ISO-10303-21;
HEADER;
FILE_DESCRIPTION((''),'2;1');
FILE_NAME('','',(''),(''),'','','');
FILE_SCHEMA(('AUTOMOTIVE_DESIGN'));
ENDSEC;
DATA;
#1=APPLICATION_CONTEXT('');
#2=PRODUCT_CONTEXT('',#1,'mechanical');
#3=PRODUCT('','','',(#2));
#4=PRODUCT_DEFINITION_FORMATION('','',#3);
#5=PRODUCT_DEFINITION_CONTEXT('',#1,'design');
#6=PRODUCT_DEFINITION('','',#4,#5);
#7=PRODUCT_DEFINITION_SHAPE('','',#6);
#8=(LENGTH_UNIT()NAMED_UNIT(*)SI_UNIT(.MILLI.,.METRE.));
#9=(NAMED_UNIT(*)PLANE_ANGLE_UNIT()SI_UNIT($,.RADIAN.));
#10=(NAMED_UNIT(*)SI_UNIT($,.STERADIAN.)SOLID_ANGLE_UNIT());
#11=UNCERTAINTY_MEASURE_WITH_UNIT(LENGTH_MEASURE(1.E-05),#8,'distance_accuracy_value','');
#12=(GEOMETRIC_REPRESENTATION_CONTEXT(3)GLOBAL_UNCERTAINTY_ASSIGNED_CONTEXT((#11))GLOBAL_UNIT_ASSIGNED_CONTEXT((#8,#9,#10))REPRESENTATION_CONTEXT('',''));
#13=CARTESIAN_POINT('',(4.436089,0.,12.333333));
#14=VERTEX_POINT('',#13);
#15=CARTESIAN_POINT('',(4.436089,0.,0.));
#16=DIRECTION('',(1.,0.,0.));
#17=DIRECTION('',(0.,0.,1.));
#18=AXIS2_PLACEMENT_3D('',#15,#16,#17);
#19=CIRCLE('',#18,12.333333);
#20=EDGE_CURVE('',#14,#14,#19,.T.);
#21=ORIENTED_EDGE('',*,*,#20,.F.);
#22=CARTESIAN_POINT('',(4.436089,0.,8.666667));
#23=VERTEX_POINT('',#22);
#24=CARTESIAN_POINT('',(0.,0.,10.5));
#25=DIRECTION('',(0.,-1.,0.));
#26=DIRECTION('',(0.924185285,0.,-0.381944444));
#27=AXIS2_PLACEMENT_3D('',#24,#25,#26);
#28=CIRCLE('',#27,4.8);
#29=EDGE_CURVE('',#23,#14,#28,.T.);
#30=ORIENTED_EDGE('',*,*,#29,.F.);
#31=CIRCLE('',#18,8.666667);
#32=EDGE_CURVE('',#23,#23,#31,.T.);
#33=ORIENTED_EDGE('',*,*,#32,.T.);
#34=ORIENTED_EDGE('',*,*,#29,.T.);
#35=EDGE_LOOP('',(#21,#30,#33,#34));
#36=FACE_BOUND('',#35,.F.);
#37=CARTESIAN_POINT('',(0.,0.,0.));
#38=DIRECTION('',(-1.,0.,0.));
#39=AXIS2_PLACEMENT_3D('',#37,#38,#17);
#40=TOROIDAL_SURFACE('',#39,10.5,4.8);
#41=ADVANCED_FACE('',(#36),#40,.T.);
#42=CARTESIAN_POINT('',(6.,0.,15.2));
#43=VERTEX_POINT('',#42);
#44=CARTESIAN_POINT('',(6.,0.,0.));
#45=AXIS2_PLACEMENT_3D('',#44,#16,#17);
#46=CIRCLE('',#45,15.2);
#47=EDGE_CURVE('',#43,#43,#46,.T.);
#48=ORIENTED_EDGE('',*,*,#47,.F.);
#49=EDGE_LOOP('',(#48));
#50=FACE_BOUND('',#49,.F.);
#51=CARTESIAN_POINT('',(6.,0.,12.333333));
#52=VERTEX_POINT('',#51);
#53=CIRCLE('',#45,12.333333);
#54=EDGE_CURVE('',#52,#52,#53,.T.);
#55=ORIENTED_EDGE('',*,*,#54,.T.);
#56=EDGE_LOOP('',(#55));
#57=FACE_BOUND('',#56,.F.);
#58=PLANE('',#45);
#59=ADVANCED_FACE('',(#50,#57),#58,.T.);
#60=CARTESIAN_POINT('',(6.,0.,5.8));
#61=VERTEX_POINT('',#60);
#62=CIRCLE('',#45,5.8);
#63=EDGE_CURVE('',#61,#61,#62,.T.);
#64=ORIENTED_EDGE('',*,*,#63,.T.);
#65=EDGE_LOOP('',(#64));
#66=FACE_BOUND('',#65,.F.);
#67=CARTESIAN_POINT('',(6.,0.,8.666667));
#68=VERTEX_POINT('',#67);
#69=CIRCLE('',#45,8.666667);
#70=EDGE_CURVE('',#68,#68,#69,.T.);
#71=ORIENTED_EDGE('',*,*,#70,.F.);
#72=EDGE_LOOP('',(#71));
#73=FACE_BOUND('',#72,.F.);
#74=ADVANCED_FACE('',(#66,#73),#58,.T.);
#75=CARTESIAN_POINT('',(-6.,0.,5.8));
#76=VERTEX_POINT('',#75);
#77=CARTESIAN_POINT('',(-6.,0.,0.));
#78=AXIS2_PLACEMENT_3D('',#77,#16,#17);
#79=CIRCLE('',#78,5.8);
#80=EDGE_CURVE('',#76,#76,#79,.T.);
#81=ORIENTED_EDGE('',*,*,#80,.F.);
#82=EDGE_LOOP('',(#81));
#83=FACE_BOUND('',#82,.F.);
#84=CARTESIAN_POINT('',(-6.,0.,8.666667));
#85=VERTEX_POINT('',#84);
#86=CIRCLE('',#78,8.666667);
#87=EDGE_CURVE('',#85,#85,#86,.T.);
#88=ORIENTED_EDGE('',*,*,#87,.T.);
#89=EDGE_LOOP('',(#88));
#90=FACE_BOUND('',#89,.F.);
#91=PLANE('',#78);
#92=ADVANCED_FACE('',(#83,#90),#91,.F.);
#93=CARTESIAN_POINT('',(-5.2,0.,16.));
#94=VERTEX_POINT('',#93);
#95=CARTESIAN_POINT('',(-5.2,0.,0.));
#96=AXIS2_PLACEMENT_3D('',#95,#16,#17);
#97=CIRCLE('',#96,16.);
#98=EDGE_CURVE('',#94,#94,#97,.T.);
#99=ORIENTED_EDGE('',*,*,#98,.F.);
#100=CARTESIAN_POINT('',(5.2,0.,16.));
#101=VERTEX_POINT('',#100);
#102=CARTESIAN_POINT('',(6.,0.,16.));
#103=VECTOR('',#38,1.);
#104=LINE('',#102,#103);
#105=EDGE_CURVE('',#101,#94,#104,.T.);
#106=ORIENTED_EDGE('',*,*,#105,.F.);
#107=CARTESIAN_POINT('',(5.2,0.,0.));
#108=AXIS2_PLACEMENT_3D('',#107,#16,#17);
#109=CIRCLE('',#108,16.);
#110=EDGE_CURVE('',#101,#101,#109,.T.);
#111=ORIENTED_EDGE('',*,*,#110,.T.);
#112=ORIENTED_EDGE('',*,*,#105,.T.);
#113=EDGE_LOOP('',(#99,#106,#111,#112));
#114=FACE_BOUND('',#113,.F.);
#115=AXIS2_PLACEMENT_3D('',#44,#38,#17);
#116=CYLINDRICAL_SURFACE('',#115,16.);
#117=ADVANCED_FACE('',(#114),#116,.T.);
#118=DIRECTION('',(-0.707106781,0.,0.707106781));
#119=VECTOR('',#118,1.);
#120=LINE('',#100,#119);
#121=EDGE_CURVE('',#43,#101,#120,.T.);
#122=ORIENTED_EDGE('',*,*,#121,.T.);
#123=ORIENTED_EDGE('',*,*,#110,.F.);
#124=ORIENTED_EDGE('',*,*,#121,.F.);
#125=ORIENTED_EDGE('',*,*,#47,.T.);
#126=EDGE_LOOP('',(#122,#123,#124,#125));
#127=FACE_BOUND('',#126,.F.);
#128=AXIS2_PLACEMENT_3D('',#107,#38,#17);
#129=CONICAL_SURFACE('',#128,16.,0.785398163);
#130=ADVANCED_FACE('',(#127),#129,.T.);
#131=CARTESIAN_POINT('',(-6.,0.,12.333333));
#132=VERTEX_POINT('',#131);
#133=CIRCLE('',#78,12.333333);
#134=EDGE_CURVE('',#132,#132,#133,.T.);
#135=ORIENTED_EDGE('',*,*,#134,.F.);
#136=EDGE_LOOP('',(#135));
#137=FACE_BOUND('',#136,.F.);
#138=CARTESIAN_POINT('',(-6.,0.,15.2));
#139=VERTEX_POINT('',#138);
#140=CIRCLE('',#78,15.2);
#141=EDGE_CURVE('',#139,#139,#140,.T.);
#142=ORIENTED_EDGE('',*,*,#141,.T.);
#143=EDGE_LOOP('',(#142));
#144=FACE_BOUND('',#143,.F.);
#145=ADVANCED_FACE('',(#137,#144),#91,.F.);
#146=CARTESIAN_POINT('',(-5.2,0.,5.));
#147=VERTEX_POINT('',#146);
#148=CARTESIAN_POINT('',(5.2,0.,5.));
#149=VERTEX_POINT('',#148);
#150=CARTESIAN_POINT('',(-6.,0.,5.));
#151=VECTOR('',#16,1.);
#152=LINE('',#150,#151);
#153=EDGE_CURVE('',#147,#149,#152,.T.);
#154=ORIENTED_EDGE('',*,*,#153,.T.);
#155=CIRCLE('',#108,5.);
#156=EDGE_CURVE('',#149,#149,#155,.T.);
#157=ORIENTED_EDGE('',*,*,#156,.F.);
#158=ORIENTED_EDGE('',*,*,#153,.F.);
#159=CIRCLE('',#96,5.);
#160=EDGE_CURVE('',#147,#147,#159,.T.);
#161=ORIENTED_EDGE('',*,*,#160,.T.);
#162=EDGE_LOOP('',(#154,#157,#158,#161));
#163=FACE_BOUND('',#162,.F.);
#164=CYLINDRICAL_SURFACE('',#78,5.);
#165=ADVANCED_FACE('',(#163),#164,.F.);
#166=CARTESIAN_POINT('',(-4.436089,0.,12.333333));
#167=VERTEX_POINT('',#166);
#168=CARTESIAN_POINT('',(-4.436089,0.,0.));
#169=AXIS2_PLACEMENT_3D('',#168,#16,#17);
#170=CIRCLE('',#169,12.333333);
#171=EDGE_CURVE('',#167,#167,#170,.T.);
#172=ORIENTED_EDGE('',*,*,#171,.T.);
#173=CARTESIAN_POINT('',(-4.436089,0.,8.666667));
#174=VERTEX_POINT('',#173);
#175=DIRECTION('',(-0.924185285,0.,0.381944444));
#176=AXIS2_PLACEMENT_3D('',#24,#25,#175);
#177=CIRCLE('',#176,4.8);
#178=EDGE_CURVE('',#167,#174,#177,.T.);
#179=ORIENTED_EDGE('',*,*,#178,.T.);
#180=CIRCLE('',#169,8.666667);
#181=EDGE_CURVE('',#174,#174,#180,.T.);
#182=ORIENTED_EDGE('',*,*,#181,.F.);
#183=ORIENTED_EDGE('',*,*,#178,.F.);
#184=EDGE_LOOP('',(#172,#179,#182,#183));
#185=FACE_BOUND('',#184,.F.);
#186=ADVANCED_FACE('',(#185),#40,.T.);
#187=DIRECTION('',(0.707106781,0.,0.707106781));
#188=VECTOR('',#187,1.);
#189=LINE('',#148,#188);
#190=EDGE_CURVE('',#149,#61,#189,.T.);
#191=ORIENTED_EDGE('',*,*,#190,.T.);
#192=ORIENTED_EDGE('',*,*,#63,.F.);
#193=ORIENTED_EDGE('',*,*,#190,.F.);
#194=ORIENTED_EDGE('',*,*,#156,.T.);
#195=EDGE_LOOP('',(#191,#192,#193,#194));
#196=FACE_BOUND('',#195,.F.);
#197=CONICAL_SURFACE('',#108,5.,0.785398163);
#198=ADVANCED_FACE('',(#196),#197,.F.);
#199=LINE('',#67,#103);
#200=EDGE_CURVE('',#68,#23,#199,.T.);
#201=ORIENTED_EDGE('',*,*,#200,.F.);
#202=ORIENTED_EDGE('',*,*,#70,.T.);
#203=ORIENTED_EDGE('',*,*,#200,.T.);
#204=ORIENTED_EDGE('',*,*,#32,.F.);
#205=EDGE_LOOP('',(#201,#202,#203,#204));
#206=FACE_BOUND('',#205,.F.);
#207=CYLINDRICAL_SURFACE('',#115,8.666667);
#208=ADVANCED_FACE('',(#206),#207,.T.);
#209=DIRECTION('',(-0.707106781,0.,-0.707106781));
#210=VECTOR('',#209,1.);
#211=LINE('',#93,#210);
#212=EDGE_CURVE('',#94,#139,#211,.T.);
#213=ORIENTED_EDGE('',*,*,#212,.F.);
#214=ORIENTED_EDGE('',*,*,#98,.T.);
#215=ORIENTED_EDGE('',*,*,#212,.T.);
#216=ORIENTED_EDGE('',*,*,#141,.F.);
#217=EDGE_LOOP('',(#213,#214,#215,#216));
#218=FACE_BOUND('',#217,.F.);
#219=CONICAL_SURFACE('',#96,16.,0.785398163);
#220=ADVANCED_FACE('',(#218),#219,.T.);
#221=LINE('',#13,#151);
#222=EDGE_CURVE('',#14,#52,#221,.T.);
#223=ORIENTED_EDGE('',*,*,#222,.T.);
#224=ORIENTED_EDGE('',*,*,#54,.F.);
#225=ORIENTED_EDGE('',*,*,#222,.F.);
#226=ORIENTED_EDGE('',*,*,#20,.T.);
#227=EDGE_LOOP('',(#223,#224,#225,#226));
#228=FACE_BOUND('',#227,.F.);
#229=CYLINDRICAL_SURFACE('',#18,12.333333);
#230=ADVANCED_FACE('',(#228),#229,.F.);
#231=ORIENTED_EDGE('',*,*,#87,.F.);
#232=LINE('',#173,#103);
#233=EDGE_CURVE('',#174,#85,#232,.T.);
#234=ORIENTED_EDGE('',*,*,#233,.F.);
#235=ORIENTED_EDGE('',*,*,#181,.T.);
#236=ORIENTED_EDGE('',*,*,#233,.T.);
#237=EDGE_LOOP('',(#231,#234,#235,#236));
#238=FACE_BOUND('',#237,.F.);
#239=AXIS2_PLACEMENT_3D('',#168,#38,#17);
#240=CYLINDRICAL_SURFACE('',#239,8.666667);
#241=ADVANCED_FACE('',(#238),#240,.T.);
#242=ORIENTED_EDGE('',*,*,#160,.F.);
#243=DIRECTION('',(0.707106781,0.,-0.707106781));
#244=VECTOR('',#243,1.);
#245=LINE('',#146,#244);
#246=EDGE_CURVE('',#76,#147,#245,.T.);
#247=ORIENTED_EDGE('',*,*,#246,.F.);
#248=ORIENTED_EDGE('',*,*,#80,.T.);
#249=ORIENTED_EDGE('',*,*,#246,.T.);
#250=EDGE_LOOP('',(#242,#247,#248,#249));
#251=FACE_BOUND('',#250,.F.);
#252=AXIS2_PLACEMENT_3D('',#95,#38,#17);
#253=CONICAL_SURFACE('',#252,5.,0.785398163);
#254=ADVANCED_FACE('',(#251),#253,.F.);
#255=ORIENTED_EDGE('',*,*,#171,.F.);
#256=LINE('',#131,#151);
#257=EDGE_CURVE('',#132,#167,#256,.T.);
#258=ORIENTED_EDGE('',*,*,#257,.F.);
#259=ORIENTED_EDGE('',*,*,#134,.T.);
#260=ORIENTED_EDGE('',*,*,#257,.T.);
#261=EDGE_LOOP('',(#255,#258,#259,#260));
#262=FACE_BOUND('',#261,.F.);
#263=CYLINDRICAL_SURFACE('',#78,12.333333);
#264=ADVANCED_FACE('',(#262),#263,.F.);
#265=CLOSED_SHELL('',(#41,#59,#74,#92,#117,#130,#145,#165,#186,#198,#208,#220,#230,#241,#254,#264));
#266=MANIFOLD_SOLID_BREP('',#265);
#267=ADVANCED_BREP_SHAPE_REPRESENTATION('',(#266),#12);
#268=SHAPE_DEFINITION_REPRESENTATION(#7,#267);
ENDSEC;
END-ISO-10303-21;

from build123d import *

# Parameters (mm, degrees)
F3_SIZE = 0.8


with BuildPart() as f2:
    # F1 (on Front) → F2 (revolve)
    with BuildSketch(Plane.XZ):
        with BuildLine():
            Line((4.4360893689, 12.3333333333), (6, 12.3333333333))
            Line((6, 12.3333333333), (6, 16))
            Line((6, 16), (-6, 16))
            Line((-6, 16), (-6, 12.3333333333))
            Line((-6, 12.3333333333), (-4.4360893689, 12.3333333333))
            ThreePointArc((-4.4360893689, 12.3333333333), (-4.8, 10.5), (-4.4360893689, 8.6666666667))
            Line((-4.4360893689, 8.6666666667), (-6, 8.6666666667))
            Line((-6, 8.6666666667), (-6, 5))
            Line((-6, 5), (6, 5))
            Line((6, 5), (6, 8.6666666667))
            Line((6, 8.6666666667), (4.4360893689, 8.6666666667))
            ThreePointArc((4.4360893689, 8.6666666667), (4.8, 10.5), (4.4360893689, 12.3333333333))
        make_face()
    revolve(axis=Axis((18.8289619982, 0, 0), (1, 0, 0)))

    # F3
    f3_edges = [f2.edges().sort_by_distance(p)[0] for p in [
        (-6, 0, -16),
        (6, 0, -16),
        (6, 0, -5),
        (-6, 0, -5),
    ]]
    chamfer(f3_edges, length=F3_SIZE)


solid = f2.part
